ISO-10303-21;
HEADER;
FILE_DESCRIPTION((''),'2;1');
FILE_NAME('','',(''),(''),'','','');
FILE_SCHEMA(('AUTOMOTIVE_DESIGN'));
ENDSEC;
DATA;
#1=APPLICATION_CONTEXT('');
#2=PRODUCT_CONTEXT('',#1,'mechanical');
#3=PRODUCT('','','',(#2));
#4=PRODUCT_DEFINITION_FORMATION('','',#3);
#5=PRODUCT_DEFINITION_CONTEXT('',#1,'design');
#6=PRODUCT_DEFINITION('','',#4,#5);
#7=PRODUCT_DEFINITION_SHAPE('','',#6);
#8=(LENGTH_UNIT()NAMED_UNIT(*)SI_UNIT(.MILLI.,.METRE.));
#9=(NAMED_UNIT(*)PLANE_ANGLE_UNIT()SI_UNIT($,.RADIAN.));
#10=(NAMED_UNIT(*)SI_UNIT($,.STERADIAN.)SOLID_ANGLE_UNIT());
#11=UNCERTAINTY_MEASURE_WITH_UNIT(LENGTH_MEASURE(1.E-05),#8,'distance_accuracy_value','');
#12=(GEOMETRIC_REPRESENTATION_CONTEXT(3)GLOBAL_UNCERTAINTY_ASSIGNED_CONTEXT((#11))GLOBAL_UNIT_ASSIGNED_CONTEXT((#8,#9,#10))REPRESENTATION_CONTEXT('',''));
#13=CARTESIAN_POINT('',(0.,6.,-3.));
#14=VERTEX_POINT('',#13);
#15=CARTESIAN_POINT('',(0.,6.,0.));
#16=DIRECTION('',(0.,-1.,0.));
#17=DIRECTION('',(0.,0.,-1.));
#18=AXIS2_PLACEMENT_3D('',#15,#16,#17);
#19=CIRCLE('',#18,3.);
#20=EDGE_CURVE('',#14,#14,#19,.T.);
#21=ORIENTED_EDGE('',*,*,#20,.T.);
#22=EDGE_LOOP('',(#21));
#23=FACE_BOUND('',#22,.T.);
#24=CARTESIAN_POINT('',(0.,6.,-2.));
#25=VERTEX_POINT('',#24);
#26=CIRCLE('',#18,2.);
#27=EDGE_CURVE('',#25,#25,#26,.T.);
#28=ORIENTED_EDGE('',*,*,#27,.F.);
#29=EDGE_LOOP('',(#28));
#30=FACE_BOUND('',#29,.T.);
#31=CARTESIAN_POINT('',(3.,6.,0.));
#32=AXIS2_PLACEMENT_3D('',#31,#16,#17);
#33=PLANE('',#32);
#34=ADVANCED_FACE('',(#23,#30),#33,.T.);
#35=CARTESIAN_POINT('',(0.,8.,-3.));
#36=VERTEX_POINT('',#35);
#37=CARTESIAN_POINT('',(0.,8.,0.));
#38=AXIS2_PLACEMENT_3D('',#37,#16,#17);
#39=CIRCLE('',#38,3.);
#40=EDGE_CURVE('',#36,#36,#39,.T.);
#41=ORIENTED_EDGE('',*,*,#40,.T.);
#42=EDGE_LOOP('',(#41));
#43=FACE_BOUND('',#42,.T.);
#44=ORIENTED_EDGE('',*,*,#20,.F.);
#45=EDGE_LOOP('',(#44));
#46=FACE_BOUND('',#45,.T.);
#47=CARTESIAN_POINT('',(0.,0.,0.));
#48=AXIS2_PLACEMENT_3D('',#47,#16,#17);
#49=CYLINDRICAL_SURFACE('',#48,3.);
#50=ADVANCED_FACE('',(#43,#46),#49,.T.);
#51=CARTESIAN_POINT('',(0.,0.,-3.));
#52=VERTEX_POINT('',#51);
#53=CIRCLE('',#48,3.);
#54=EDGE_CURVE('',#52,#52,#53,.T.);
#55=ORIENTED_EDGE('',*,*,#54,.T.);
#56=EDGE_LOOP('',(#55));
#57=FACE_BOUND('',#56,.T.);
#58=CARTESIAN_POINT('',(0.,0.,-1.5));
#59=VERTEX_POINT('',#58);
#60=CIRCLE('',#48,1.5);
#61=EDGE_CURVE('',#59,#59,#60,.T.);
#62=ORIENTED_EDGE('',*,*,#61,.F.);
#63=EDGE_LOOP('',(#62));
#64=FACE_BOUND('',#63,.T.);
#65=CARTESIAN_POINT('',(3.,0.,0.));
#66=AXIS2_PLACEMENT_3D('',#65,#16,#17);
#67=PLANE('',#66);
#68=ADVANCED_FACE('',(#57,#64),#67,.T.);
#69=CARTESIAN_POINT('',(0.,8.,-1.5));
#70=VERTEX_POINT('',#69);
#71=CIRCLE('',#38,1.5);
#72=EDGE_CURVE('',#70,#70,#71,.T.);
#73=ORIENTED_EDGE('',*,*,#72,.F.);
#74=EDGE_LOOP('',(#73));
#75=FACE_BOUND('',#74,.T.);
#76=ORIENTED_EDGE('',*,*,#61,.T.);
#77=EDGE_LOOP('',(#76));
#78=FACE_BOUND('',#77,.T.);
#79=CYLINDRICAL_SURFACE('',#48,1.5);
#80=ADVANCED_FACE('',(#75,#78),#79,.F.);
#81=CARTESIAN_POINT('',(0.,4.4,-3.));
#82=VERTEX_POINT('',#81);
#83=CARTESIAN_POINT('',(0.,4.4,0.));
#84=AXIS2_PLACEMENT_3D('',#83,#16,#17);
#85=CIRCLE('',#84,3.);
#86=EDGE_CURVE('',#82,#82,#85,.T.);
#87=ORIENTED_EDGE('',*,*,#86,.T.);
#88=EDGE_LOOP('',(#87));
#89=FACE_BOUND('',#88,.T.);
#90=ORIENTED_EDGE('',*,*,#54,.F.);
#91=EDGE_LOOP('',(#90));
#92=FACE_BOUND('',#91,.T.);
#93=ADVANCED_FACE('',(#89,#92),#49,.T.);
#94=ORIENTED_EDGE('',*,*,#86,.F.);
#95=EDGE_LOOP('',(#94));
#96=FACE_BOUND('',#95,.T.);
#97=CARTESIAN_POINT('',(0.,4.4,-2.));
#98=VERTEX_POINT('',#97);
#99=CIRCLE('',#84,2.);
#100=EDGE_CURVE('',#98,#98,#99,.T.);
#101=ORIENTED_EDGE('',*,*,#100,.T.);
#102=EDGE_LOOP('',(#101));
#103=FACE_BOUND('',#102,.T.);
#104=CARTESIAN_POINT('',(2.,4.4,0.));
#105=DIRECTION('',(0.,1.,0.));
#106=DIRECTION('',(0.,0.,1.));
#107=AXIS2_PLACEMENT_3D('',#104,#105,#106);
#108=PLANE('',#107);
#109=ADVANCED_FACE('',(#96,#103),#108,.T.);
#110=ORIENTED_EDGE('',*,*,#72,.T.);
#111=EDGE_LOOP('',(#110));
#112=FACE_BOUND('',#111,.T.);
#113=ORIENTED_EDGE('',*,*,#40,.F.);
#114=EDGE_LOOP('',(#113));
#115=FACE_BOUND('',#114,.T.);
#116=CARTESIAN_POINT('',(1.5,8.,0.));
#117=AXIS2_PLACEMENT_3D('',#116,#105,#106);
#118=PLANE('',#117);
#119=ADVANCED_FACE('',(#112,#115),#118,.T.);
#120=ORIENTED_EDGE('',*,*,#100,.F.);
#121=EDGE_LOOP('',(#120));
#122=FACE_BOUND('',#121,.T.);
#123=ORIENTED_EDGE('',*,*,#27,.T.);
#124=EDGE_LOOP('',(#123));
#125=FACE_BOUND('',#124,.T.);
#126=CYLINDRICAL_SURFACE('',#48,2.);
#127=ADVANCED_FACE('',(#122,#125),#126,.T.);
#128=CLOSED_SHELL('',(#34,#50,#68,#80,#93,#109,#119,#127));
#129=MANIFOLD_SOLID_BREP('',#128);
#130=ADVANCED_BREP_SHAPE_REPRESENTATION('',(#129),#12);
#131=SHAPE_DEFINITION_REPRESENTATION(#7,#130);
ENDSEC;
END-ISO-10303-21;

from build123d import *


with BuildPart() as part:
    # Sketch1 → Revolve1 (revolve)
    with BuildSketch(Plane.XY, mode=Mode.PRIVATE) as revolve1_sk:
        Polygon((1.5, 8), (3, 8), (3, 6), (2, 6), (2, 4.4), (3, 4.4), (3, 0), (1.5, 0), align=None)
    revolve(revolve1_sk.sketch.rotate(Axis((0, 0, 0), (0, 1, 0)), 90), axis=Axis((0, 0, 0), (0, 1, 0)))


solid = part.part
